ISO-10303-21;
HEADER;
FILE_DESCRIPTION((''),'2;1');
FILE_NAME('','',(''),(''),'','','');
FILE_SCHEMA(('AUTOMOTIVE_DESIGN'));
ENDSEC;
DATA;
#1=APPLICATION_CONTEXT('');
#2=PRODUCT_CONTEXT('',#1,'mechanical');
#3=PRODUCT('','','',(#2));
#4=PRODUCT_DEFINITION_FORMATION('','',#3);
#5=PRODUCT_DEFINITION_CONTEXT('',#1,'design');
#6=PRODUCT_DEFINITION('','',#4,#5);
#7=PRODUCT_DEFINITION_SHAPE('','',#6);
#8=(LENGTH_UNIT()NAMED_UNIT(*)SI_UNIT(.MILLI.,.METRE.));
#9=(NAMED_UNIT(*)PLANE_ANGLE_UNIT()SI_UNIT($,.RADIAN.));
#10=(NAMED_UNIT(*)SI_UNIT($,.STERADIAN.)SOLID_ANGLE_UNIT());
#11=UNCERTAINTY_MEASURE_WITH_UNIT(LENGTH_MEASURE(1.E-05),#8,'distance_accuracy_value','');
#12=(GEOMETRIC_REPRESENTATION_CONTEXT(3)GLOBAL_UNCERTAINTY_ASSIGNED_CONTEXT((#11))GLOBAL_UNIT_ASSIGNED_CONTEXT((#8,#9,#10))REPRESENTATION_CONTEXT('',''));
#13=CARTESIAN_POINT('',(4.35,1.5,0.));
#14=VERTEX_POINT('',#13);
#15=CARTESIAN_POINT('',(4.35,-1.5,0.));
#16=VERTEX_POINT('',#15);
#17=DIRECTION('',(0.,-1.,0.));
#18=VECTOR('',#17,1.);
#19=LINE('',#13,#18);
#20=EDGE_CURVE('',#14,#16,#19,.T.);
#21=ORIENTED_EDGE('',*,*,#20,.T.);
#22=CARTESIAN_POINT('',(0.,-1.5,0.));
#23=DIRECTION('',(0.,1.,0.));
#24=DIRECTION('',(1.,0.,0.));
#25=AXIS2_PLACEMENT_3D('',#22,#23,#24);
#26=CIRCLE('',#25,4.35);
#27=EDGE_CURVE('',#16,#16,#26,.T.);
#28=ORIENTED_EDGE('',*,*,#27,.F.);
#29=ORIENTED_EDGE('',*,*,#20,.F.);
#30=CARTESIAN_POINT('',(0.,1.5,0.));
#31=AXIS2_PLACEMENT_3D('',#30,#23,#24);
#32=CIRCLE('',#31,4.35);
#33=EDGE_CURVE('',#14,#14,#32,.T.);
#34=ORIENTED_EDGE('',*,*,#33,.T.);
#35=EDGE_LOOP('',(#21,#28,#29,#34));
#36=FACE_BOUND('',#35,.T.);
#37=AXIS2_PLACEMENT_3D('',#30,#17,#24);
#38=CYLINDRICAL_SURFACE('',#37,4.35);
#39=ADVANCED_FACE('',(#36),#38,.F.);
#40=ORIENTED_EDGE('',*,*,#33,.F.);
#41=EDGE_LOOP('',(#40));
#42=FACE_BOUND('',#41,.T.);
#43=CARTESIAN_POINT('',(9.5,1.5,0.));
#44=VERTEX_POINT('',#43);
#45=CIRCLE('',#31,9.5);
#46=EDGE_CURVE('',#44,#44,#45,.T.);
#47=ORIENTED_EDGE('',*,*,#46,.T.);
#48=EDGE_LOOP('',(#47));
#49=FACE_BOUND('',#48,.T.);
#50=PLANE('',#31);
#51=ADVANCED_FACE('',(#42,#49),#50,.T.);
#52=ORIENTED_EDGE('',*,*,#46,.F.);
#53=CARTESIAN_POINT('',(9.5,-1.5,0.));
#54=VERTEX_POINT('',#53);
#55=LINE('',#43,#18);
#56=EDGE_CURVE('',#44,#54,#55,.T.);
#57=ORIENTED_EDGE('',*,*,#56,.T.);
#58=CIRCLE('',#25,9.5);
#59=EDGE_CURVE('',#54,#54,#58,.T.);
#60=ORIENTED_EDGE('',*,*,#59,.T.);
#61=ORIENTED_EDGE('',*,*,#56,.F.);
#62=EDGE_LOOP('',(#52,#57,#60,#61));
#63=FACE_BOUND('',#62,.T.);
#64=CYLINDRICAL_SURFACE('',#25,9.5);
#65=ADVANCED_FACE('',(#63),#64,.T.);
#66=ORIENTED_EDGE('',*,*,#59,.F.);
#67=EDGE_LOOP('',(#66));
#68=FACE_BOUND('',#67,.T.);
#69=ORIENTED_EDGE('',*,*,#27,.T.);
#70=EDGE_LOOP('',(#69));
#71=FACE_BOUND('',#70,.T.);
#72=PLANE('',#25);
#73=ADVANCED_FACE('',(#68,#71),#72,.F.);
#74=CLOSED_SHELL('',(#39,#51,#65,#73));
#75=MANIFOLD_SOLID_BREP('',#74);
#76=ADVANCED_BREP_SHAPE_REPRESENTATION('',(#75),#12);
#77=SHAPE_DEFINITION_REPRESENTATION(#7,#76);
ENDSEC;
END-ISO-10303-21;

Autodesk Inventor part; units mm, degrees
ref_plane "YZ Plane" through (0, 0, 0) normal (1, 0, 0) x (0, 1, 0)
ref_plane "XZ Plane" through (0, 0, 0) normal (0, 1, 0) x (-1, 0, 0)
ref_plane "XY Plane" through (0, 0, 0) normal (0, 0, 1) x (1, 0, 0)
sketch "Sketch1" plane through (0, 0, 0) normal (0, 0, 1) x (1, 0, 0)
  line L0 (0, -2.1) -> (0, 2.1) projected
  line L1 (-1.9, 0) -> (11.4, 0) projected
  line L2 (4.35, 1.5) -> (4.35, -1.5)
  line L3 (4.35, -1.5) -> (9.5, -1.5)
  line L4 (9.5, -1.5) -> (9.5, 1.5)
  line L5 (9.5, 1.5) -> (4.35, 1.5)
  point P0 (0, 0)
  point P1 (9.5, 0)
  dimension "d0" = 8.7
  dimension "d1" = 19
  dimension "d2" = 3
revolve "Revolution1" add sketch "Sketch1" angle 360 about axis through (0, -10, 0) along (0, 1, 0)
properties part number "312-04" material "Steel"
